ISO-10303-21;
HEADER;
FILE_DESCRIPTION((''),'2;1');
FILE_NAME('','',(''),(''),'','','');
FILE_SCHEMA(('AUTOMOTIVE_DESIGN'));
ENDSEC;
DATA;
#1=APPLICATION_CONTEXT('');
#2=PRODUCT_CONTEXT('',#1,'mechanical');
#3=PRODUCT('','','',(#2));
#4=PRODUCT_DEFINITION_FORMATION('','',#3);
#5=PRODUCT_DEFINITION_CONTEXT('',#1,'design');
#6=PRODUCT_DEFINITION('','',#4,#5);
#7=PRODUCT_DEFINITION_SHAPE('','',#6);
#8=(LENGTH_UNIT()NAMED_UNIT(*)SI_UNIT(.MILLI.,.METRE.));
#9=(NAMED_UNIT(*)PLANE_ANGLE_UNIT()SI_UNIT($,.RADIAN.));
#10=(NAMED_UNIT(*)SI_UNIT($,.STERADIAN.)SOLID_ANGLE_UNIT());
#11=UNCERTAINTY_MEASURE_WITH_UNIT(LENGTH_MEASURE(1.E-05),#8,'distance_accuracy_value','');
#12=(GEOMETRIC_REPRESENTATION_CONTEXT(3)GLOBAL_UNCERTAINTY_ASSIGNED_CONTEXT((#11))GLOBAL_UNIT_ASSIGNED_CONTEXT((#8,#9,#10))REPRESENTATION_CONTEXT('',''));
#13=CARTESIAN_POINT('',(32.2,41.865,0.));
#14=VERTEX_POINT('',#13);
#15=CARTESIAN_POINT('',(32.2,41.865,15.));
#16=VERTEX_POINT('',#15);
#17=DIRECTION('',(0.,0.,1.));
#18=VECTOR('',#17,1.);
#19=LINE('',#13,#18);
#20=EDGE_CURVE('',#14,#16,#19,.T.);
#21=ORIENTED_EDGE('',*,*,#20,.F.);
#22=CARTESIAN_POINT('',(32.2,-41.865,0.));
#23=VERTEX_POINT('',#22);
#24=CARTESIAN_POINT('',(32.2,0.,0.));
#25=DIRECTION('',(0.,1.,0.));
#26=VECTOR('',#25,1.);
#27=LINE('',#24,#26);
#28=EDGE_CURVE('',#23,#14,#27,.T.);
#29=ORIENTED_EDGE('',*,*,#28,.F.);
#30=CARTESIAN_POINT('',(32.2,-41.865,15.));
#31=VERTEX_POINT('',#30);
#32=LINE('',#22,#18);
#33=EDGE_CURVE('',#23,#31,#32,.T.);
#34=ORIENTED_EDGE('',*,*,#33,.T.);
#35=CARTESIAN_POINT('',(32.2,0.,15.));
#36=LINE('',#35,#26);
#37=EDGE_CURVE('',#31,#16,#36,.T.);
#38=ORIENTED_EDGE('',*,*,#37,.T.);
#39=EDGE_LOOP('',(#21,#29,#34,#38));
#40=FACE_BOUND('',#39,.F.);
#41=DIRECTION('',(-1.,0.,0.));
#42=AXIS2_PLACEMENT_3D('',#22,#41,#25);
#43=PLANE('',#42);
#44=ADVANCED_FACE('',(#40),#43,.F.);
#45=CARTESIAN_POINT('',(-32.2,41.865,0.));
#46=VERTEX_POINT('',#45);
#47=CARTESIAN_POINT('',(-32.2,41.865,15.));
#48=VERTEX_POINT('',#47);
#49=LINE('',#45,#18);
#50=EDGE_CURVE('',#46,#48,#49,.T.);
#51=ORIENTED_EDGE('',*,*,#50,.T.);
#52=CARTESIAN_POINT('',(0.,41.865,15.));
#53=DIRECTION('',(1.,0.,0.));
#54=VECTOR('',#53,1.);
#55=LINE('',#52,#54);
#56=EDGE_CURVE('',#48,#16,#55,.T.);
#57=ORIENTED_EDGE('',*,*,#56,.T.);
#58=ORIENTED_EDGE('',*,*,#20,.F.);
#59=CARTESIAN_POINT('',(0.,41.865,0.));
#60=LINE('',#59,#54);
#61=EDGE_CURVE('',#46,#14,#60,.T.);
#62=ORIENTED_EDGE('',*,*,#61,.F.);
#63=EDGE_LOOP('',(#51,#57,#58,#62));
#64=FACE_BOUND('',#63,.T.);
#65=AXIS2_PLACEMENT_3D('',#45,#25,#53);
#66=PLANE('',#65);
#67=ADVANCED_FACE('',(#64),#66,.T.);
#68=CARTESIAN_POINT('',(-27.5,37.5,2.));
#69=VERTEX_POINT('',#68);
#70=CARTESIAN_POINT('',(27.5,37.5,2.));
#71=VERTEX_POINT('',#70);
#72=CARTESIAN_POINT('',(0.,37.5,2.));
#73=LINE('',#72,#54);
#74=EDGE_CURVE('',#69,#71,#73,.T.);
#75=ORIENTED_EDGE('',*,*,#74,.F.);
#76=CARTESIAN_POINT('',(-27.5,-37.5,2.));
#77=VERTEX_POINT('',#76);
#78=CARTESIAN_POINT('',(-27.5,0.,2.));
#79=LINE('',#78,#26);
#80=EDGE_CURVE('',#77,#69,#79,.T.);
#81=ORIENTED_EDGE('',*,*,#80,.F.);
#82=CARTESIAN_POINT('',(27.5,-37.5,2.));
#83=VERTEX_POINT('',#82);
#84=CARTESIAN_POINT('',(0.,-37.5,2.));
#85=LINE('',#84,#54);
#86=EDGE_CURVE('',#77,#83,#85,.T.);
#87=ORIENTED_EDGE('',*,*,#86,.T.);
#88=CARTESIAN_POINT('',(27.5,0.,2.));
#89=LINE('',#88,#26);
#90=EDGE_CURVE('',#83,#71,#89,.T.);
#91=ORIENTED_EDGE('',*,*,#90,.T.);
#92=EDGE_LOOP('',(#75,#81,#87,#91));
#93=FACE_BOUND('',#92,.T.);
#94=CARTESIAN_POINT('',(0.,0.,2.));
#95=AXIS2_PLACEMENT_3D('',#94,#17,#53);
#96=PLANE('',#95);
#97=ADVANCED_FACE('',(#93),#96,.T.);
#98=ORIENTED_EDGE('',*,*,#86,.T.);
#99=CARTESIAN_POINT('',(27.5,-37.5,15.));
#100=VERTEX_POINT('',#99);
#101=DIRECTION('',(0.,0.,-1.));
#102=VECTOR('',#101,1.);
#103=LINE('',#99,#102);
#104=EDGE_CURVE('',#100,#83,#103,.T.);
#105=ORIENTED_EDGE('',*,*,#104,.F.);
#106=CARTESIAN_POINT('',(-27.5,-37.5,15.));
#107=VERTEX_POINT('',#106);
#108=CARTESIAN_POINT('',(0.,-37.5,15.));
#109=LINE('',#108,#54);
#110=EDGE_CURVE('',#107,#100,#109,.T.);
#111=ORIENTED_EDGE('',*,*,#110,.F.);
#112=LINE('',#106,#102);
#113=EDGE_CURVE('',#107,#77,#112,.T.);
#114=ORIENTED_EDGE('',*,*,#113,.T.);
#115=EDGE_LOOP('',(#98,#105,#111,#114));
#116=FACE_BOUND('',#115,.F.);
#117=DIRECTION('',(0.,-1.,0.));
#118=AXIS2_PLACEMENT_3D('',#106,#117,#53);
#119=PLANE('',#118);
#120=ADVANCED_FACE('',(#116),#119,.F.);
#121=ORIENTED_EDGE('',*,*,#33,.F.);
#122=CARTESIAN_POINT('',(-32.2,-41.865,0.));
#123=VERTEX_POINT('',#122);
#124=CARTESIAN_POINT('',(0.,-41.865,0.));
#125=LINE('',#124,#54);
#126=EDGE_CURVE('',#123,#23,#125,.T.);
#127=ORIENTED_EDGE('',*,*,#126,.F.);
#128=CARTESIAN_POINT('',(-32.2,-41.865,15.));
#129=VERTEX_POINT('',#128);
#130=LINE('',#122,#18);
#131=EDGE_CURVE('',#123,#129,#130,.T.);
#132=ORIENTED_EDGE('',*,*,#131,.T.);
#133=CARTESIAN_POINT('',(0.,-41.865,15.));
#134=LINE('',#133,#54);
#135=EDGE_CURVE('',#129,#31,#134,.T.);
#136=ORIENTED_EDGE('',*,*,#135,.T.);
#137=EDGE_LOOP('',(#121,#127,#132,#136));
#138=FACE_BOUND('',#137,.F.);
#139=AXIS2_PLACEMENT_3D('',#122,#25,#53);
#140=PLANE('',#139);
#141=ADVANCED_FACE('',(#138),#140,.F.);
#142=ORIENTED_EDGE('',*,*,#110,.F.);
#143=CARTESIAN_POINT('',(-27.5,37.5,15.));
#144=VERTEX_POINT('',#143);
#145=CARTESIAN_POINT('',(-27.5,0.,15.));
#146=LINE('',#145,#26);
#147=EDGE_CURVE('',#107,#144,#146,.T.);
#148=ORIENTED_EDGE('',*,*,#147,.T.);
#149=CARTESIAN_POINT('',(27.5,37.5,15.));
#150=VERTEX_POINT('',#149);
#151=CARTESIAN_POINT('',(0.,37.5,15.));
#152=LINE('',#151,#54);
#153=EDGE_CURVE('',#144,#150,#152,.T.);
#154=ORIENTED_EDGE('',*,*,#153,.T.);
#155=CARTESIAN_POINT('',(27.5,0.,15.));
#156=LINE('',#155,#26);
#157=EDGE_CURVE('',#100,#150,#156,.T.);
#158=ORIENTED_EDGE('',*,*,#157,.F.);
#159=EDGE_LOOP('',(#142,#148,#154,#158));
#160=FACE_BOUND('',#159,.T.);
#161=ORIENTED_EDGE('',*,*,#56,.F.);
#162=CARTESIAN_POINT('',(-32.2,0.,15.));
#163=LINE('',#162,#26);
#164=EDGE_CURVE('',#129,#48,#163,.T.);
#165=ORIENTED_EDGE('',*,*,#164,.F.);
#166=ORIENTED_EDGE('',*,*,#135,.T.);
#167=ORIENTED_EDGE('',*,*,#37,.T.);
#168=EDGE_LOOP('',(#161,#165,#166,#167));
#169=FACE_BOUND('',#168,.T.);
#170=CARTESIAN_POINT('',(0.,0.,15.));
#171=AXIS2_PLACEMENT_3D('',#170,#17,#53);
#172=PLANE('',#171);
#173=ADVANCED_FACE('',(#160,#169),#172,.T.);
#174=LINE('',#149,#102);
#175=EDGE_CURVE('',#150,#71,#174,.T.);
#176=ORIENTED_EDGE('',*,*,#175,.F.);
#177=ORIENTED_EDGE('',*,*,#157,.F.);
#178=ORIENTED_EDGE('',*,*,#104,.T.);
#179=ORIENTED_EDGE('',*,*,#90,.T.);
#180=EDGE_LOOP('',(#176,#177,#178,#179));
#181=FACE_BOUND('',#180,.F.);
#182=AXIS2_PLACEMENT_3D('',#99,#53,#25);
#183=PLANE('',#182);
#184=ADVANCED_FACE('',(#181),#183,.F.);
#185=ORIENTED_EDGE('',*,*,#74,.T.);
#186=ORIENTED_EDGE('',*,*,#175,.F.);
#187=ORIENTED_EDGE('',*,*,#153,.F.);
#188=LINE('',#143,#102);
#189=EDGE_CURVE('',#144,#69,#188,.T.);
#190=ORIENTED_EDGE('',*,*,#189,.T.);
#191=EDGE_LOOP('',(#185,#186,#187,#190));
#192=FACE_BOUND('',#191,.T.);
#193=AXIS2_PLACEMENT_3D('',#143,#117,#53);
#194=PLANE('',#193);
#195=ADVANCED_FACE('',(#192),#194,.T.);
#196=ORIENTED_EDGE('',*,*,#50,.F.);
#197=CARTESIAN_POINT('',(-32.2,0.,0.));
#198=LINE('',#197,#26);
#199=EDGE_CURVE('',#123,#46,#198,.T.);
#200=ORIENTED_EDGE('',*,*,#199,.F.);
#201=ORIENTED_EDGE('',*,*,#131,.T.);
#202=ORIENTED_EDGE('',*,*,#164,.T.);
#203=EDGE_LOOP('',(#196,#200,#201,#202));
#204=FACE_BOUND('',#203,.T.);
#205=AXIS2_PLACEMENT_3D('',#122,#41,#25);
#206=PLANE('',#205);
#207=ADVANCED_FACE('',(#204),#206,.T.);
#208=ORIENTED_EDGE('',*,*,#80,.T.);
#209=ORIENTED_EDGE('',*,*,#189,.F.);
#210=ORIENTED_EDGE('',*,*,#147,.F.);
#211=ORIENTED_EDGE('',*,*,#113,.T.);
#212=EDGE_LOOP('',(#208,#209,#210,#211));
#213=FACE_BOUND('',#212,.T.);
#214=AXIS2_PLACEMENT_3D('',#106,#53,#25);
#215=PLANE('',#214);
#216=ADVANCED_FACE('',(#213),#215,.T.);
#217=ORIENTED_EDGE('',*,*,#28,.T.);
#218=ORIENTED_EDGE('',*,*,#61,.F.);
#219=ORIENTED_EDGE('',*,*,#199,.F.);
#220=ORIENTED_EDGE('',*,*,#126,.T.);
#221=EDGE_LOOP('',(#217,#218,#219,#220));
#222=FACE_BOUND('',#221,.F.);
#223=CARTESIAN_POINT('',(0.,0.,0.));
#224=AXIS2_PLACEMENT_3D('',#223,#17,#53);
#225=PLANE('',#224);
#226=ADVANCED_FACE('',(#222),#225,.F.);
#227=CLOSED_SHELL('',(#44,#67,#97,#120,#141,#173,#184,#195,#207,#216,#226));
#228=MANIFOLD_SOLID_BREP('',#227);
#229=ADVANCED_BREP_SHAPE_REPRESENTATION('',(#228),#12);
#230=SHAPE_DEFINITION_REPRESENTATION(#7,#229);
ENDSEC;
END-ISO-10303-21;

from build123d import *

# Parameters (mm, degrees)
SKETCH_W     = 64.4
SKETCH_H     = 83.73
PAD_DEPTH    = 15
SKETCH001_W  = 55
SKETCH001_H  = 75
POCKET_DEPTH = 13


with BuildPart() as part:
    # Sketch → Pad (new body)
    with BuildSketch(Plane.XY):
        Rectangle(SKETCH_W, SKETCH_H)
    extrude(amount=PAD_DEPTH)

    # Sketch001 (on Face6 of Pad) → Pocket (cut)
    with BuildSketch(Plane.XY.offset(15)):
        Rectangle(SKETCH001_W, SKETCH001_H)
    extrude(amount=-POCKET_DEPTH, mode=Mode.SUBTRACT)


solid = part.part
